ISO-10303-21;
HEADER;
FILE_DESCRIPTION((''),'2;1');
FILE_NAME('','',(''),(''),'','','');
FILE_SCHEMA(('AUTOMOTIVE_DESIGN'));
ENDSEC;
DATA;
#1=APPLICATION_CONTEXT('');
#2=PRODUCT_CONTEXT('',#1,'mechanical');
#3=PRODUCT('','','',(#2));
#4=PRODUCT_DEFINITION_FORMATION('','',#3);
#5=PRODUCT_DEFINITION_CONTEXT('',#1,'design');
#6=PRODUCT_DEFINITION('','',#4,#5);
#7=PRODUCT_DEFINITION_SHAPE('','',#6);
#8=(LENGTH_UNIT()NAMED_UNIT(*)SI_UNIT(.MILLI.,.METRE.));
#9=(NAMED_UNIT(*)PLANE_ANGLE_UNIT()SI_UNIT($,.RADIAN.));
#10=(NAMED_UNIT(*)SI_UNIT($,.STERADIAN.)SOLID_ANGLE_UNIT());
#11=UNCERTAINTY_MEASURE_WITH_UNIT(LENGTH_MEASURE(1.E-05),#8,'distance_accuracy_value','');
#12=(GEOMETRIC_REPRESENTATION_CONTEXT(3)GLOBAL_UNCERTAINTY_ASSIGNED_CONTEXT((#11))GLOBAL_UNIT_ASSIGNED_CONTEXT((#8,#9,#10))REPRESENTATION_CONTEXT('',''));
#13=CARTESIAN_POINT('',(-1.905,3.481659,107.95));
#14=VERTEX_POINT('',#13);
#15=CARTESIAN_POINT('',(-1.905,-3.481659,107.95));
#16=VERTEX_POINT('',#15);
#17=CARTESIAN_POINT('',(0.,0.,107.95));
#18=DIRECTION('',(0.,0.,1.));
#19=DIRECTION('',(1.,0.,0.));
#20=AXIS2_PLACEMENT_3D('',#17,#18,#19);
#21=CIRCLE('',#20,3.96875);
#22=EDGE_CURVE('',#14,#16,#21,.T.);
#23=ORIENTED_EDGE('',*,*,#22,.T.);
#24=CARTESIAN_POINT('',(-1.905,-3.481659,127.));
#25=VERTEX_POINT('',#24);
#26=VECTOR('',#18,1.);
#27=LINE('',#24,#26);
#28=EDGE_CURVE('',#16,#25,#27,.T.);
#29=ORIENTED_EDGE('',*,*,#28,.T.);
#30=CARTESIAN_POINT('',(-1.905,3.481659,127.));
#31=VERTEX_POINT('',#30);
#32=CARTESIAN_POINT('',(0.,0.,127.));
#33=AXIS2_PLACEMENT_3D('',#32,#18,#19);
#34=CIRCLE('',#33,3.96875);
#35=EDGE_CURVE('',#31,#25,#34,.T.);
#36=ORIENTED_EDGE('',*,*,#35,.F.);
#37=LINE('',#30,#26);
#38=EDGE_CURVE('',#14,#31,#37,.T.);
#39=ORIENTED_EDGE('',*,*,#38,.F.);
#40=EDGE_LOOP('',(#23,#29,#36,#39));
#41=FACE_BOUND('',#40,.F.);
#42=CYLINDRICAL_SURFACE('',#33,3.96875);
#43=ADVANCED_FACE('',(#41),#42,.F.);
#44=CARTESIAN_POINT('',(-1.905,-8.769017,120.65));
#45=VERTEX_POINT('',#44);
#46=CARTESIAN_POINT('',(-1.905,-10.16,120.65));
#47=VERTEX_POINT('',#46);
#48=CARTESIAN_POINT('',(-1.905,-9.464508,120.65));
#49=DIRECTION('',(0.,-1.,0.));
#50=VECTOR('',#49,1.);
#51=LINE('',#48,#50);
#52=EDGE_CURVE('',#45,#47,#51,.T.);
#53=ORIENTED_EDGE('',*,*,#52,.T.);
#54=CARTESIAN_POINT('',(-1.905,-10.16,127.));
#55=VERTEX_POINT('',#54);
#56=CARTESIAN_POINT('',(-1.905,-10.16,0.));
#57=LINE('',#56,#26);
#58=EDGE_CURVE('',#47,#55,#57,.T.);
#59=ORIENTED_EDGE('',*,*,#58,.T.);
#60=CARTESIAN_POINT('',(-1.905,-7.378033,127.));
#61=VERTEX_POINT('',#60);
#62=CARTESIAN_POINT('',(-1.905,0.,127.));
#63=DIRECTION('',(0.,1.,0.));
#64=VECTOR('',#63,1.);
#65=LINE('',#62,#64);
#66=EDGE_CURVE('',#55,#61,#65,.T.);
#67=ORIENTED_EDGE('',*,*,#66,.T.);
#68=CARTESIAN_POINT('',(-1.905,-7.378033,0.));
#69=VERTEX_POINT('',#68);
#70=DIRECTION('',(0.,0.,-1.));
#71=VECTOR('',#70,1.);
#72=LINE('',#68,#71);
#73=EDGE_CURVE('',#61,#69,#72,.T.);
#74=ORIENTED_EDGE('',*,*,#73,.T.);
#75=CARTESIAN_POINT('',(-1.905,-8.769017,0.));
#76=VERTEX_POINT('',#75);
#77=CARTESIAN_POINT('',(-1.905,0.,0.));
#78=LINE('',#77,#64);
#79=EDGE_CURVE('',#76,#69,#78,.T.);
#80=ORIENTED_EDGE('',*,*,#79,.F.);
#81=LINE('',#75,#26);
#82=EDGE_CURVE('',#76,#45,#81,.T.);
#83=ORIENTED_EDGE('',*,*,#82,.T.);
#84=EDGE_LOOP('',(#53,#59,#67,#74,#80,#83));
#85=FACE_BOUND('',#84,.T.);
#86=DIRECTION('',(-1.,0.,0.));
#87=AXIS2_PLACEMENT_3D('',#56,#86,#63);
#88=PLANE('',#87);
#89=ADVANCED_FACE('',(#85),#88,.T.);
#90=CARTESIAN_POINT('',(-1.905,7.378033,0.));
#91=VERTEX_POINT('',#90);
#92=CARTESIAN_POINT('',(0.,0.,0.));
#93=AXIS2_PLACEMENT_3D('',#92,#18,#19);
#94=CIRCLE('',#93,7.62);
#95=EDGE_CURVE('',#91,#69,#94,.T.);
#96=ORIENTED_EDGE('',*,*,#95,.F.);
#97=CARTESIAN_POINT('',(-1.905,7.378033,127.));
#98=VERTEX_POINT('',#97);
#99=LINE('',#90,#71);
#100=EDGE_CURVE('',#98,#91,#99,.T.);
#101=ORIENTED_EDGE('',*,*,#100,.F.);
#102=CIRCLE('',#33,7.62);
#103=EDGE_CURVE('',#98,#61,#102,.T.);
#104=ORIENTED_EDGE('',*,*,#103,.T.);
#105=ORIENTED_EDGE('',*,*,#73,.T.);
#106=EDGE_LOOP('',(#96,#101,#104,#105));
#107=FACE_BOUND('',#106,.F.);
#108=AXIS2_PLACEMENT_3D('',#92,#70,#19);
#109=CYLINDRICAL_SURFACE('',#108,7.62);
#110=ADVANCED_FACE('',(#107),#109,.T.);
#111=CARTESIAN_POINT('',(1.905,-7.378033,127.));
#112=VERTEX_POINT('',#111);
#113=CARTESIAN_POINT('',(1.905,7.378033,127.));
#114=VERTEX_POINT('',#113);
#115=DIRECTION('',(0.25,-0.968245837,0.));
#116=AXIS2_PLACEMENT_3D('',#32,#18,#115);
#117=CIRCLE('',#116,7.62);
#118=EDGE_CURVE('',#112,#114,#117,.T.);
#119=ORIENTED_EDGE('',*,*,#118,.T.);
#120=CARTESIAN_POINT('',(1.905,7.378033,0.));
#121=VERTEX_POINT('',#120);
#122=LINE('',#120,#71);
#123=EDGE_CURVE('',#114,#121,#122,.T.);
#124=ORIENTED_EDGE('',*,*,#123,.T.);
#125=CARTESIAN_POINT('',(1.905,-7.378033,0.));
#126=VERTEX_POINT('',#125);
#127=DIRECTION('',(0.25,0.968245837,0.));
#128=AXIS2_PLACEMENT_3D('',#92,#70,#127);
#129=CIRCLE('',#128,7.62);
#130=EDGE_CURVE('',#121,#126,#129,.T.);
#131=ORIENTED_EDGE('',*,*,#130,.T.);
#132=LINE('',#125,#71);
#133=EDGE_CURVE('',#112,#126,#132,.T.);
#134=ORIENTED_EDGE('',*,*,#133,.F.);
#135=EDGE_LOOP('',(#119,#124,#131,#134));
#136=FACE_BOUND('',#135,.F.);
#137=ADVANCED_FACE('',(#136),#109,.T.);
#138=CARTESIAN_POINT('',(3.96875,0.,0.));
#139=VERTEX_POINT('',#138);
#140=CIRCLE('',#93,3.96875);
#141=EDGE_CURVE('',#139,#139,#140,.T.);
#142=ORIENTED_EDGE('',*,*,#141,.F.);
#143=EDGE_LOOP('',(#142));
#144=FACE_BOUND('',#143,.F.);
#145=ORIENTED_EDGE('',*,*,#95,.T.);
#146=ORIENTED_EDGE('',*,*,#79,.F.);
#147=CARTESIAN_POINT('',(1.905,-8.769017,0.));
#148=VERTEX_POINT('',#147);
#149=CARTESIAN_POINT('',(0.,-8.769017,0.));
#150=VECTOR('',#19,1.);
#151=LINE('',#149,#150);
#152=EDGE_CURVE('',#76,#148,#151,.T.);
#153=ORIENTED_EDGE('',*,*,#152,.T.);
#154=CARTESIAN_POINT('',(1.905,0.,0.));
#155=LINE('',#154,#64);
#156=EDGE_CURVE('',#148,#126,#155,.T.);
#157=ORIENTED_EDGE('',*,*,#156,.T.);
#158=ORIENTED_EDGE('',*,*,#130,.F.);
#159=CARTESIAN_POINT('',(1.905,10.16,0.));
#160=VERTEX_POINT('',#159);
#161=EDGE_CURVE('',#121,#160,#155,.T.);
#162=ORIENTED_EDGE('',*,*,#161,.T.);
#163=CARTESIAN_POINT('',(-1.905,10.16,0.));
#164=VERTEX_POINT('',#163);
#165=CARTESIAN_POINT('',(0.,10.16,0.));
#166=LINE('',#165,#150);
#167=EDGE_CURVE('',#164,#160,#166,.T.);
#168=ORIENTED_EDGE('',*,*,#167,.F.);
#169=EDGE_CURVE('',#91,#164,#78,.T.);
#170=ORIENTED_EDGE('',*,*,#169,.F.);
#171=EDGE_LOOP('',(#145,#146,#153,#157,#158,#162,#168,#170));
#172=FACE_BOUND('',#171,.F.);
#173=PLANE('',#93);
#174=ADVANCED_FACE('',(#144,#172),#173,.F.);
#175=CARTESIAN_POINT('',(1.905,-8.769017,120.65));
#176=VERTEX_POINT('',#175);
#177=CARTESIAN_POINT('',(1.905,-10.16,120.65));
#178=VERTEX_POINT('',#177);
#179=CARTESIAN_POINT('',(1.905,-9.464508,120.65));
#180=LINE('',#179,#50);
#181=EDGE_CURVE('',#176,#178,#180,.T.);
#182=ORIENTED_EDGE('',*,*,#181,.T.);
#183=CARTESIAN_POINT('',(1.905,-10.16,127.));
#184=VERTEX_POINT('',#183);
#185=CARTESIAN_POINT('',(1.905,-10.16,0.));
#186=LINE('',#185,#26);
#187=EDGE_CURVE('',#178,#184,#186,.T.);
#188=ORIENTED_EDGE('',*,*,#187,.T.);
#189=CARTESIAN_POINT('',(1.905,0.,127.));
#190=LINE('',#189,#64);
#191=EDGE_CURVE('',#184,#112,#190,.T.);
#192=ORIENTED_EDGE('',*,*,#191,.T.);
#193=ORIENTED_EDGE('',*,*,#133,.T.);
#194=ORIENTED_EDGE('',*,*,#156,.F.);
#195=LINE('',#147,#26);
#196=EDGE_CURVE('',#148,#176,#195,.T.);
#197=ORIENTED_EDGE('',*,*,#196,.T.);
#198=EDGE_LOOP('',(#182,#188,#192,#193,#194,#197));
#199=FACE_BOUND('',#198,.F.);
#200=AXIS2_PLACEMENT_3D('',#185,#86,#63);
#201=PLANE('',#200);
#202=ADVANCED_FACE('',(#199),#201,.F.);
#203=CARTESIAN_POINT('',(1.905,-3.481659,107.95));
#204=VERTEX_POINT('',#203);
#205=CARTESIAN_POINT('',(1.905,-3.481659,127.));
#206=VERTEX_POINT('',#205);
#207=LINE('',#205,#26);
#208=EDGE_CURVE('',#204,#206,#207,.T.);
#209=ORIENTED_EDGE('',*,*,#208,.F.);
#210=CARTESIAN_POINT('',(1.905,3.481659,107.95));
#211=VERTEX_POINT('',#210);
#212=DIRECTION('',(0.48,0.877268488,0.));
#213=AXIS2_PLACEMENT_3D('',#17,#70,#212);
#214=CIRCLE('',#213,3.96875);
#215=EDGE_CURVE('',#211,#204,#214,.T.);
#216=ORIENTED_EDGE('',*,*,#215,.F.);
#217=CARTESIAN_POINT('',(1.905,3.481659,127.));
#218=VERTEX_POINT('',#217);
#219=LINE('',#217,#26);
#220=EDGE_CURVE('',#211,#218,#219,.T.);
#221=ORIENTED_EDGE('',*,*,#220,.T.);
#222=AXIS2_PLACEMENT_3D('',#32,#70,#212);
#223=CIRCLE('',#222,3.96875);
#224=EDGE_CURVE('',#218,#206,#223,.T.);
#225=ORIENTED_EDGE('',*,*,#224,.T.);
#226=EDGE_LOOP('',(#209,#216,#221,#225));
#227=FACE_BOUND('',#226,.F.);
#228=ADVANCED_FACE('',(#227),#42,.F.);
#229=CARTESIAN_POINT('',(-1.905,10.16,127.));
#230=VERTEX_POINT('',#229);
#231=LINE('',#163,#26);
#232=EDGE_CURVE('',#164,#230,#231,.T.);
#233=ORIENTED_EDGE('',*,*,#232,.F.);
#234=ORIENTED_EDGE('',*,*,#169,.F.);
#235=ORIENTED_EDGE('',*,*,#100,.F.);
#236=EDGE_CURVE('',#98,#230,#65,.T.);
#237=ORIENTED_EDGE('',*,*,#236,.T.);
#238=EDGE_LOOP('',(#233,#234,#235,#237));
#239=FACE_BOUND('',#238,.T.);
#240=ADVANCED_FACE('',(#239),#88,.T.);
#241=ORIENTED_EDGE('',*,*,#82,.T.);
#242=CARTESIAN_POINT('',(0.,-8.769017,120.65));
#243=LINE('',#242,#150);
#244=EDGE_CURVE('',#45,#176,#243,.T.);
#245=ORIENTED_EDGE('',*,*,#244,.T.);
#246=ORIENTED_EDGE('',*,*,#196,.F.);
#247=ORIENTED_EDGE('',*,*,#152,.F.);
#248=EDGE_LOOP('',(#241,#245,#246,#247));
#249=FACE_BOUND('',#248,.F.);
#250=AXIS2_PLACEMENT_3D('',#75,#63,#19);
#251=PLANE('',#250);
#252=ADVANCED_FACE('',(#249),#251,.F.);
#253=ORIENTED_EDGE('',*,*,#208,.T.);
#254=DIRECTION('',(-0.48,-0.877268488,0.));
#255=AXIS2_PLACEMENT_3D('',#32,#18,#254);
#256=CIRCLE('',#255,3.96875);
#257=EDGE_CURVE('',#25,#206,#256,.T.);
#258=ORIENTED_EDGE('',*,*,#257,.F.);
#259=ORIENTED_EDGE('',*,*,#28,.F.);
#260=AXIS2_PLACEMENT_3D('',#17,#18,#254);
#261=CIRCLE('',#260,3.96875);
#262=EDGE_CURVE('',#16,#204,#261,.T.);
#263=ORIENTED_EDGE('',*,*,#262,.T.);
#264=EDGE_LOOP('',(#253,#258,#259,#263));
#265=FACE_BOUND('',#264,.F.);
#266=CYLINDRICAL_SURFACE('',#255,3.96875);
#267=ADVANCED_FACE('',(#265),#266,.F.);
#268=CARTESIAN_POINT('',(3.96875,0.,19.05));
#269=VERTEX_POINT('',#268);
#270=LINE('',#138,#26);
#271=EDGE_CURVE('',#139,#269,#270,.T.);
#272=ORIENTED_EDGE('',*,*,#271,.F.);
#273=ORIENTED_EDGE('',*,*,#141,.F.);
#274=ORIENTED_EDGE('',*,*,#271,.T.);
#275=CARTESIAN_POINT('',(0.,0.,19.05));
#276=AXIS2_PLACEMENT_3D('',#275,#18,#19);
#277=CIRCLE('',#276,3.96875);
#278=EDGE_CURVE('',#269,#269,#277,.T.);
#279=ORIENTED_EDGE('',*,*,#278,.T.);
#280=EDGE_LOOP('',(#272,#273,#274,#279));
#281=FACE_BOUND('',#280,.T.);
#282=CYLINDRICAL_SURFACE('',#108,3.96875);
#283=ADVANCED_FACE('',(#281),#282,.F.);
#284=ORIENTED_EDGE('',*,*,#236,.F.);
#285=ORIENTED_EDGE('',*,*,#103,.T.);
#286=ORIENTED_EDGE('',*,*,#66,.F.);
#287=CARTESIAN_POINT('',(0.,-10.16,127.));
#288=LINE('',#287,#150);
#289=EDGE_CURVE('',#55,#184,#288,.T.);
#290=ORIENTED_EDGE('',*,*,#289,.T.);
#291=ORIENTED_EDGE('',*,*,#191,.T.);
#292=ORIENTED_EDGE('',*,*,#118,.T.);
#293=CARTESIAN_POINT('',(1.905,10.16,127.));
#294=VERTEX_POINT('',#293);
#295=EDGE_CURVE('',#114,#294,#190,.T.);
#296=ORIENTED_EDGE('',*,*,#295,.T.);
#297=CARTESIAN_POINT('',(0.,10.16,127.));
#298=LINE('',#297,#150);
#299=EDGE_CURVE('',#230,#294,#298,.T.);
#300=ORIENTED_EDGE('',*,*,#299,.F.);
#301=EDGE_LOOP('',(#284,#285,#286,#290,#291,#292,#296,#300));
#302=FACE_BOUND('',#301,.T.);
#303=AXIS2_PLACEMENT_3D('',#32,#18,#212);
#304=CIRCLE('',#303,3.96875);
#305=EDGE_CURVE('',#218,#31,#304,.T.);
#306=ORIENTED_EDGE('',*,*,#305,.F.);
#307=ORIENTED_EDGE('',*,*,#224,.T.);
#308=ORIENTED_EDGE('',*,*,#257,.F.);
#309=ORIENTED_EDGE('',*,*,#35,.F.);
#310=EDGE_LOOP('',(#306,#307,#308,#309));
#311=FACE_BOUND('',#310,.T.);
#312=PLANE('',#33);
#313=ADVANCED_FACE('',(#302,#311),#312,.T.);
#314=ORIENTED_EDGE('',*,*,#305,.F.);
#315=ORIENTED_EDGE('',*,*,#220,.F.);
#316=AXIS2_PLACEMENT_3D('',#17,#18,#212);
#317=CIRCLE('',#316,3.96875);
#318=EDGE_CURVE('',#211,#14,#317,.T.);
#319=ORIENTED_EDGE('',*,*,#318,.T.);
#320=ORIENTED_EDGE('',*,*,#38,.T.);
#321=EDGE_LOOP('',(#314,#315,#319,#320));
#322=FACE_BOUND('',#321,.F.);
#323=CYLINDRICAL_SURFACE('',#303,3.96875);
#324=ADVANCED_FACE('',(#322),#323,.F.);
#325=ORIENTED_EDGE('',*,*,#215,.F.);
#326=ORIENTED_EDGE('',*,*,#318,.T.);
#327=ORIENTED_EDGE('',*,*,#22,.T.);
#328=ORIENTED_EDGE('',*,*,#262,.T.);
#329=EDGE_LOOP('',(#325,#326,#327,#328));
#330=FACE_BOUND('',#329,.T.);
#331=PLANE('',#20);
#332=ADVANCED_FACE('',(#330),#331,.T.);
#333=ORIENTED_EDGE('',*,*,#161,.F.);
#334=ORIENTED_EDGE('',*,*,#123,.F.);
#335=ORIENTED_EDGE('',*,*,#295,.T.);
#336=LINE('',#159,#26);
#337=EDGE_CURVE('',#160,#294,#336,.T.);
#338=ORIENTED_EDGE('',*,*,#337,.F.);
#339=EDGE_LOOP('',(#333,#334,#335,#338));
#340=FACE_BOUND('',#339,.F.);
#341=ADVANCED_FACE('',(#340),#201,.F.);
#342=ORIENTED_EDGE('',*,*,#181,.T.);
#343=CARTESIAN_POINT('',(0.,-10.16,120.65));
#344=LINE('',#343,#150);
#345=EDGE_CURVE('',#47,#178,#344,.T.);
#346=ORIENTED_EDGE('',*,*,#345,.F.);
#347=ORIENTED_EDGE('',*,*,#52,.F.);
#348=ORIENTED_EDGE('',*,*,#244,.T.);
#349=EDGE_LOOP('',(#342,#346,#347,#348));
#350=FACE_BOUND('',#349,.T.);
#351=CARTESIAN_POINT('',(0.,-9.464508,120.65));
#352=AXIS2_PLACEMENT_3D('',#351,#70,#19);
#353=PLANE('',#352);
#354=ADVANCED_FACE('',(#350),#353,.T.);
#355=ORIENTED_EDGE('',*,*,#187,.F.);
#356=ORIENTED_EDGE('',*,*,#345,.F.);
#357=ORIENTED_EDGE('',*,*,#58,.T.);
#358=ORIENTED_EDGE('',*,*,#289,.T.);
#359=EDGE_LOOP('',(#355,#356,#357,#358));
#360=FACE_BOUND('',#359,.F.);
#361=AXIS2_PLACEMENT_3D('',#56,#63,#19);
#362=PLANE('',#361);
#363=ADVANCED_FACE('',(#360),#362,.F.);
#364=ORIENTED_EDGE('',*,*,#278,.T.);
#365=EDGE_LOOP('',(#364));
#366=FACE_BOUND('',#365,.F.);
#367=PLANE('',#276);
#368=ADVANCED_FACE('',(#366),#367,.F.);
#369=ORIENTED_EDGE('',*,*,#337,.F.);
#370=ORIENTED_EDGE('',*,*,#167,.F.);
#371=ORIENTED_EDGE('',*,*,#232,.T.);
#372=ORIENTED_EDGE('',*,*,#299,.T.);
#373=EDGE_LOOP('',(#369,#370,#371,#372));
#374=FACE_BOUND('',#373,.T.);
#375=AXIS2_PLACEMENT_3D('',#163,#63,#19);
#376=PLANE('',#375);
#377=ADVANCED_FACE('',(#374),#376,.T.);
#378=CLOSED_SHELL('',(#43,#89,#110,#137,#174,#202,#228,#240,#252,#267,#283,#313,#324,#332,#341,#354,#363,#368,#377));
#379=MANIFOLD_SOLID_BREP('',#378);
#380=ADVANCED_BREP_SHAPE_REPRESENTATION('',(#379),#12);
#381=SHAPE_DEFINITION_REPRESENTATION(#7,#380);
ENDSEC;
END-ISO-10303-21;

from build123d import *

# Parameters (mm, degrees)
F0_R      = 7.62
F1_DEPTH  = 127
F2_R      = 3.96875
F3_DEPTH  = 19.05
F4_W      = 3.81
F4_H      = 20.32
F5_DEPTH  = 127
F7_DEPTH  = 19.05
F8_R      = 3.96875
F9_DEPTH  = 19.05
F10_W     = 3.81
F10_H     = 1.3909833627
F11_DEPTH = 120.65


with BuildPart() as f1:
    # F0 (on Top) → F1 (new body)
    with BuildSketch(Plane.XY):
        Circle(F0_R)
    extrude(amount=F1_DEPTH)

    # F2 (on face) → F3 (cut)
    with BuildSketch(Plane.XY.offset(127)):
        Circle(F2_R)
    extrude(amount=-F3_DEPTH, mode=Mode.SUBTRACT)

    # F4 (on Top) → F5 (join)
    with BuildSketch(Plane.XY):
        Rectangle(F4_W, F4_H)
    extrude(amount=F5_DEPTH)

    # F6 (on face) → F7 (cut)
    with BuildSketch(Plane.XY.offset(127)):
        with BuildLine():
            Line((1.905, -3.4816593117), (1.905, 3.4816593117))
            ThreePointArc((1.905, 3.4816593117), (0, 3.96875), (-1.905, 3.4816593117))
            Line((-1.905, 3.4816593117), (-1.905, -3.4816593117))
            ThreePointArc((-1.905, -3.4816593117), (0, -3.96875), (1.905, -3.4816593117))
        make_face()
    extrude(amount=-F7_DEPTH, mode=Mode.SUBTRACT)

    # F8 (on Top) → F9 (cut)
    with BuildSketch(Plane.XY):
        Circle(F8_R)
    extrude(amount=F9_DEPTH, mode=Mode.SUBTRACT)

    # F10 (on face) → F11 (cut)
    with BuildSketch(Plane(origin=(0, 0, 0), x_dir=(1, 0, 0), z_dir=(0, 0, -1))):
        with Locations((0, 9.4645083186)):
            Rectangle(F10_W, F10_H)
    extrude(amount=-F11_DEPTH, mode=Mode.SUBTRACT)


solid = f1.part
